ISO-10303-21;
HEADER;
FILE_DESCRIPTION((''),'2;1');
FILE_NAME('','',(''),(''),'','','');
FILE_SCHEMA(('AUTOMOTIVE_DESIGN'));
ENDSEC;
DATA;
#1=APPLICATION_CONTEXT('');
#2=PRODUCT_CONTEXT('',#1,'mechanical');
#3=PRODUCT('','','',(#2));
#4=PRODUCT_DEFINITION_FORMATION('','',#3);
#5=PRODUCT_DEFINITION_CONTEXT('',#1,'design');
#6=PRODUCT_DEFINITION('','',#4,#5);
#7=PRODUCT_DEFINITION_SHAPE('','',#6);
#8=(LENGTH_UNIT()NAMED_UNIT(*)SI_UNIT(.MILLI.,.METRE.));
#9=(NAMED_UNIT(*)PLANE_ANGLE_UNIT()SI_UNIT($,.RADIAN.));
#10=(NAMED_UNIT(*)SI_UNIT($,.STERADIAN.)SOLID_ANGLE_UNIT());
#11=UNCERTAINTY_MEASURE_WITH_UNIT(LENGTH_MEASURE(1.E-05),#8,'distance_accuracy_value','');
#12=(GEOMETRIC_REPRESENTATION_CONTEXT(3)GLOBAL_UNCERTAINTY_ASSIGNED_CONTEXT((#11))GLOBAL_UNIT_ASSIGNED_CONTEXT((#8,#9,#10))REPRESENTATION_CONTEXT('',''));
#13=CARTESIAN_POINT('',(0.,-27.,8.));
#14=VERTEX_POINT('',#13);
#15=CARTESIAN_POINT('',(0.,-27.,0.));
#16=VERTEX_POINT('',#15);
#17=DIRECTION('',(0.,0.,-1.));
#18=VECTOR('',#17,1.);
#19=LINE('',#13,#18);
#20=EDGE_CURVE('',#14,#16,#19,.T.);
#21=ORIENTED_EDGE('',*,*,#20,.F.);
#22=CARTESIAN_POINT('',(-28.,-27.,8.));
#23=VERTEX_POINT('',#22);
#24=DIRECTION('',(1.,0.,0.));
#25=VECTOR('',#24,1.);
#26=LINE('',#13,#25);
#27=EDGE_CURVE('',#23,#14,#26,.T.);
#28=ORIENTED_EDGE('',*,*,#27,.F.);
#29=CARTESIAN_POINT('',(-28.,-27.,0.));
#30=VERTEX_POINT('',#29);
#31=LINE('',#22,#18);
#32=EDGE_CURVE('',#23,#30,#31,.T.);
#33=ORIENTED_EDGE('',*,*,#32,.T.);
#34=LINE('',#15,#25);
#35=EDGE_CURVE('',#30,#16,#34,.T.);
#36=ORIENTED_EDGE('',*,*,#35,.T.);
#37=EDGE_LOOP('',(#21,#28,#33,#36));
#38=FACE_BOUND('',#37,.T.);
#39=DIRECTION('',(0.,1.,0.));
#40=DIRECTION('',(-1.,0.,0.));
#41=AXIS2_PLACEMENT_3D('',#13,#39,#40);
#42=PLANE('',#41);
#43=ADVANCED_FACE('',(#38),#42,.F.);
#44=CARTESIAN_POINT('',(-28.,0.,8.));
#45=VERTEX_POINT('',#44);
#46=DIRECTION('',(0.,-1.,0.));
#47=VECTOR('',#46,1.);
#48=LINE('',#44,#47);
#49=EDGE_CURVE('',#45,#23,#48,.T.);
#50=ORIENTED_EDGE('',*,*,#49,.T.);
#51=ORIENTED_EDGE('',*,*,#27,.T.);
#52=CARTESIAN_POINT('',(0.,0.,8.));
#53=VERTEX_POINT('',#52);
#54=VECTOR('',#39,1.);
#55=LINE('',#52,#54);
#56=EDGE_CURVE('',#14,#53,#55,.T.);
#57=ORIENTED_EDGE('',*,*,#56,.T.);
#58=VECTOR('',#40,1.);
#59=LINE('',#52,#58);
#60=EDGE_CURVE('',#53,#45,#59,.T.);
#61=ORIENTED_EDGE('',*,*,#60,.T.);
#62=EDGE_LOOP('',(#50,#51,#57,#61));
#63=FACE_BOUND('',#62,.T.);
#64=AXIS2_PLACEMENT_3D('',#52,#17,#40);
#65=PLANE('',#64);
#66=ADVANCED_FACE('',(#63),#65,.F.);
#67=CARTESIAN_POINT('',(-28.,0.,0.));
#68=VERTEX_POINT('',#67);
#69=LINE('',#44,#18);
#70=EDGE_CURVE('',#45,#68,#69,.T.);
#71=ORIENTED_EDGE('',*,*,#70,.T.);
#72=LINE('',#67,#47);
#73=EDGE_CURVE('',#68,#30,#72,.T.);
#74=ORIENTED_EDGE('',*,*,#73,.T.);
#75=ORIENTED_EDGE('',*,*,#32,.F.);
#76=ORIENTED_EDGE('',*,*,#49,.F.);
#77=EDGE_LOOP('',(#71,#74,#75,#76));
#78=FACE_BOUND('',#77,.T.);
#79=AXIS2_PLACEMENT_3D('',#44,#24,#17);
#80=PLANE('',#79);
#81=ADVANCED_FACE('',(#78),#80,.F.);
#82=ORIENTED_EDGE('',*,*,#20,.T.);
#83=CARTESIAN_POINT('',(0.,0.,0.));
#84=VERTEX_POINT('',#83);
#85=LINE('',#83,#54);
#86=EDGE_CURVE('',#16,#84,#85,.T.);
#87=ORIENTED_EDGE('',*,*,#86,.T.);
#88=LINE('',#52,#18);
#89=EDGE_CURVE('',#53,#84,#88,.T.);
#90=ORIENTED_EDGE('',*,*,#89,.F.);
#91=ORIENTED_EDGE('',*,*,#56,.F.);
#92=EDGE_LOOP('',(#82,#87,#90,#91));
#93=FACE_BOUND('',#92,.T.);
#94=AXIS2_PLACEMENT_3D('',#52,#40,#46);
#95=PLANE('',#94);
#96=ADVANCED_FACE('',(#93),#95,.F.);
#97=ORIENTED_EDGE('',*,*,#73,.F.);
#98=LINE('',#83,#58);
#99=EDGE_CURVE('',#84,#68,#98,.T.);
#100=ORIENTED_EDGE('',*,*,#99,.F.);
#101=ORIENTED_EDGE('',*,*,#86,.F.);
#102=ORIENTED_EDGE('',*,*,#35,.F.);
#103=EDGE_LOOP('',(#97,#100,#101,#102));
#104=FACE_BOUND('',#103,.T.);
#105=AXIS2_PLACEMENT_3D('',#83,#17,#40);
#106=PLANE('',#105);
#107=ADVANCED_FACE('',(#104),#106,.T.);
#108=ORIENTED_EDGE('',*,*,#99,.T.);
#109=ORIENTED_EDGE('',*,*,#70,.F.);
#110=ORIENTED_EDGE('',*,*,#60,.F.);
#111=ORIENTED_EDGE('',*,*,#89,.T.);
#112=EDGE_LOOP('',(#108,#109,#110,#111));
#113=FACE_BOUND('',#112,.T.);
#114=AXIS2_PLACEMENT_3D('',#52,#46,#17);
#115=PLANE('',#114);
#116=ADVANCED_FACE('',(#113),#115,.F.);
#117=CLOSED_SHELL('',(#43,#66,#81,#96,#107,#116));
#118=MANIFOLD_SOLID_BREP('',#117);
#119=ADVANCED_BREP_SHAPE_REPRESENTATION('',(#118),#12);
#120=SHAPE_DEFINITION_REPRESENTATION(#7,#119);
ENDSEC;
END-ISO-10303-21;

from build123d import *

# Parameters (mm, degrees)
SKETCH_1_W      = 28
SKETCH_1_H      = 27
EXTRUDE_1_DEPTH = 8


with BuildPart() as part:
    # 草图1 → 凸台-拉伸1 (new body)
    with BuildSketch(Plane.XY):
        with Locations((-14, -13.5)):
            Rectangle(SKETCH_1_W, SKETCH_1_H)
    extrude(amount=EXTRUDE_1_DEPTH)


solid = part.part
